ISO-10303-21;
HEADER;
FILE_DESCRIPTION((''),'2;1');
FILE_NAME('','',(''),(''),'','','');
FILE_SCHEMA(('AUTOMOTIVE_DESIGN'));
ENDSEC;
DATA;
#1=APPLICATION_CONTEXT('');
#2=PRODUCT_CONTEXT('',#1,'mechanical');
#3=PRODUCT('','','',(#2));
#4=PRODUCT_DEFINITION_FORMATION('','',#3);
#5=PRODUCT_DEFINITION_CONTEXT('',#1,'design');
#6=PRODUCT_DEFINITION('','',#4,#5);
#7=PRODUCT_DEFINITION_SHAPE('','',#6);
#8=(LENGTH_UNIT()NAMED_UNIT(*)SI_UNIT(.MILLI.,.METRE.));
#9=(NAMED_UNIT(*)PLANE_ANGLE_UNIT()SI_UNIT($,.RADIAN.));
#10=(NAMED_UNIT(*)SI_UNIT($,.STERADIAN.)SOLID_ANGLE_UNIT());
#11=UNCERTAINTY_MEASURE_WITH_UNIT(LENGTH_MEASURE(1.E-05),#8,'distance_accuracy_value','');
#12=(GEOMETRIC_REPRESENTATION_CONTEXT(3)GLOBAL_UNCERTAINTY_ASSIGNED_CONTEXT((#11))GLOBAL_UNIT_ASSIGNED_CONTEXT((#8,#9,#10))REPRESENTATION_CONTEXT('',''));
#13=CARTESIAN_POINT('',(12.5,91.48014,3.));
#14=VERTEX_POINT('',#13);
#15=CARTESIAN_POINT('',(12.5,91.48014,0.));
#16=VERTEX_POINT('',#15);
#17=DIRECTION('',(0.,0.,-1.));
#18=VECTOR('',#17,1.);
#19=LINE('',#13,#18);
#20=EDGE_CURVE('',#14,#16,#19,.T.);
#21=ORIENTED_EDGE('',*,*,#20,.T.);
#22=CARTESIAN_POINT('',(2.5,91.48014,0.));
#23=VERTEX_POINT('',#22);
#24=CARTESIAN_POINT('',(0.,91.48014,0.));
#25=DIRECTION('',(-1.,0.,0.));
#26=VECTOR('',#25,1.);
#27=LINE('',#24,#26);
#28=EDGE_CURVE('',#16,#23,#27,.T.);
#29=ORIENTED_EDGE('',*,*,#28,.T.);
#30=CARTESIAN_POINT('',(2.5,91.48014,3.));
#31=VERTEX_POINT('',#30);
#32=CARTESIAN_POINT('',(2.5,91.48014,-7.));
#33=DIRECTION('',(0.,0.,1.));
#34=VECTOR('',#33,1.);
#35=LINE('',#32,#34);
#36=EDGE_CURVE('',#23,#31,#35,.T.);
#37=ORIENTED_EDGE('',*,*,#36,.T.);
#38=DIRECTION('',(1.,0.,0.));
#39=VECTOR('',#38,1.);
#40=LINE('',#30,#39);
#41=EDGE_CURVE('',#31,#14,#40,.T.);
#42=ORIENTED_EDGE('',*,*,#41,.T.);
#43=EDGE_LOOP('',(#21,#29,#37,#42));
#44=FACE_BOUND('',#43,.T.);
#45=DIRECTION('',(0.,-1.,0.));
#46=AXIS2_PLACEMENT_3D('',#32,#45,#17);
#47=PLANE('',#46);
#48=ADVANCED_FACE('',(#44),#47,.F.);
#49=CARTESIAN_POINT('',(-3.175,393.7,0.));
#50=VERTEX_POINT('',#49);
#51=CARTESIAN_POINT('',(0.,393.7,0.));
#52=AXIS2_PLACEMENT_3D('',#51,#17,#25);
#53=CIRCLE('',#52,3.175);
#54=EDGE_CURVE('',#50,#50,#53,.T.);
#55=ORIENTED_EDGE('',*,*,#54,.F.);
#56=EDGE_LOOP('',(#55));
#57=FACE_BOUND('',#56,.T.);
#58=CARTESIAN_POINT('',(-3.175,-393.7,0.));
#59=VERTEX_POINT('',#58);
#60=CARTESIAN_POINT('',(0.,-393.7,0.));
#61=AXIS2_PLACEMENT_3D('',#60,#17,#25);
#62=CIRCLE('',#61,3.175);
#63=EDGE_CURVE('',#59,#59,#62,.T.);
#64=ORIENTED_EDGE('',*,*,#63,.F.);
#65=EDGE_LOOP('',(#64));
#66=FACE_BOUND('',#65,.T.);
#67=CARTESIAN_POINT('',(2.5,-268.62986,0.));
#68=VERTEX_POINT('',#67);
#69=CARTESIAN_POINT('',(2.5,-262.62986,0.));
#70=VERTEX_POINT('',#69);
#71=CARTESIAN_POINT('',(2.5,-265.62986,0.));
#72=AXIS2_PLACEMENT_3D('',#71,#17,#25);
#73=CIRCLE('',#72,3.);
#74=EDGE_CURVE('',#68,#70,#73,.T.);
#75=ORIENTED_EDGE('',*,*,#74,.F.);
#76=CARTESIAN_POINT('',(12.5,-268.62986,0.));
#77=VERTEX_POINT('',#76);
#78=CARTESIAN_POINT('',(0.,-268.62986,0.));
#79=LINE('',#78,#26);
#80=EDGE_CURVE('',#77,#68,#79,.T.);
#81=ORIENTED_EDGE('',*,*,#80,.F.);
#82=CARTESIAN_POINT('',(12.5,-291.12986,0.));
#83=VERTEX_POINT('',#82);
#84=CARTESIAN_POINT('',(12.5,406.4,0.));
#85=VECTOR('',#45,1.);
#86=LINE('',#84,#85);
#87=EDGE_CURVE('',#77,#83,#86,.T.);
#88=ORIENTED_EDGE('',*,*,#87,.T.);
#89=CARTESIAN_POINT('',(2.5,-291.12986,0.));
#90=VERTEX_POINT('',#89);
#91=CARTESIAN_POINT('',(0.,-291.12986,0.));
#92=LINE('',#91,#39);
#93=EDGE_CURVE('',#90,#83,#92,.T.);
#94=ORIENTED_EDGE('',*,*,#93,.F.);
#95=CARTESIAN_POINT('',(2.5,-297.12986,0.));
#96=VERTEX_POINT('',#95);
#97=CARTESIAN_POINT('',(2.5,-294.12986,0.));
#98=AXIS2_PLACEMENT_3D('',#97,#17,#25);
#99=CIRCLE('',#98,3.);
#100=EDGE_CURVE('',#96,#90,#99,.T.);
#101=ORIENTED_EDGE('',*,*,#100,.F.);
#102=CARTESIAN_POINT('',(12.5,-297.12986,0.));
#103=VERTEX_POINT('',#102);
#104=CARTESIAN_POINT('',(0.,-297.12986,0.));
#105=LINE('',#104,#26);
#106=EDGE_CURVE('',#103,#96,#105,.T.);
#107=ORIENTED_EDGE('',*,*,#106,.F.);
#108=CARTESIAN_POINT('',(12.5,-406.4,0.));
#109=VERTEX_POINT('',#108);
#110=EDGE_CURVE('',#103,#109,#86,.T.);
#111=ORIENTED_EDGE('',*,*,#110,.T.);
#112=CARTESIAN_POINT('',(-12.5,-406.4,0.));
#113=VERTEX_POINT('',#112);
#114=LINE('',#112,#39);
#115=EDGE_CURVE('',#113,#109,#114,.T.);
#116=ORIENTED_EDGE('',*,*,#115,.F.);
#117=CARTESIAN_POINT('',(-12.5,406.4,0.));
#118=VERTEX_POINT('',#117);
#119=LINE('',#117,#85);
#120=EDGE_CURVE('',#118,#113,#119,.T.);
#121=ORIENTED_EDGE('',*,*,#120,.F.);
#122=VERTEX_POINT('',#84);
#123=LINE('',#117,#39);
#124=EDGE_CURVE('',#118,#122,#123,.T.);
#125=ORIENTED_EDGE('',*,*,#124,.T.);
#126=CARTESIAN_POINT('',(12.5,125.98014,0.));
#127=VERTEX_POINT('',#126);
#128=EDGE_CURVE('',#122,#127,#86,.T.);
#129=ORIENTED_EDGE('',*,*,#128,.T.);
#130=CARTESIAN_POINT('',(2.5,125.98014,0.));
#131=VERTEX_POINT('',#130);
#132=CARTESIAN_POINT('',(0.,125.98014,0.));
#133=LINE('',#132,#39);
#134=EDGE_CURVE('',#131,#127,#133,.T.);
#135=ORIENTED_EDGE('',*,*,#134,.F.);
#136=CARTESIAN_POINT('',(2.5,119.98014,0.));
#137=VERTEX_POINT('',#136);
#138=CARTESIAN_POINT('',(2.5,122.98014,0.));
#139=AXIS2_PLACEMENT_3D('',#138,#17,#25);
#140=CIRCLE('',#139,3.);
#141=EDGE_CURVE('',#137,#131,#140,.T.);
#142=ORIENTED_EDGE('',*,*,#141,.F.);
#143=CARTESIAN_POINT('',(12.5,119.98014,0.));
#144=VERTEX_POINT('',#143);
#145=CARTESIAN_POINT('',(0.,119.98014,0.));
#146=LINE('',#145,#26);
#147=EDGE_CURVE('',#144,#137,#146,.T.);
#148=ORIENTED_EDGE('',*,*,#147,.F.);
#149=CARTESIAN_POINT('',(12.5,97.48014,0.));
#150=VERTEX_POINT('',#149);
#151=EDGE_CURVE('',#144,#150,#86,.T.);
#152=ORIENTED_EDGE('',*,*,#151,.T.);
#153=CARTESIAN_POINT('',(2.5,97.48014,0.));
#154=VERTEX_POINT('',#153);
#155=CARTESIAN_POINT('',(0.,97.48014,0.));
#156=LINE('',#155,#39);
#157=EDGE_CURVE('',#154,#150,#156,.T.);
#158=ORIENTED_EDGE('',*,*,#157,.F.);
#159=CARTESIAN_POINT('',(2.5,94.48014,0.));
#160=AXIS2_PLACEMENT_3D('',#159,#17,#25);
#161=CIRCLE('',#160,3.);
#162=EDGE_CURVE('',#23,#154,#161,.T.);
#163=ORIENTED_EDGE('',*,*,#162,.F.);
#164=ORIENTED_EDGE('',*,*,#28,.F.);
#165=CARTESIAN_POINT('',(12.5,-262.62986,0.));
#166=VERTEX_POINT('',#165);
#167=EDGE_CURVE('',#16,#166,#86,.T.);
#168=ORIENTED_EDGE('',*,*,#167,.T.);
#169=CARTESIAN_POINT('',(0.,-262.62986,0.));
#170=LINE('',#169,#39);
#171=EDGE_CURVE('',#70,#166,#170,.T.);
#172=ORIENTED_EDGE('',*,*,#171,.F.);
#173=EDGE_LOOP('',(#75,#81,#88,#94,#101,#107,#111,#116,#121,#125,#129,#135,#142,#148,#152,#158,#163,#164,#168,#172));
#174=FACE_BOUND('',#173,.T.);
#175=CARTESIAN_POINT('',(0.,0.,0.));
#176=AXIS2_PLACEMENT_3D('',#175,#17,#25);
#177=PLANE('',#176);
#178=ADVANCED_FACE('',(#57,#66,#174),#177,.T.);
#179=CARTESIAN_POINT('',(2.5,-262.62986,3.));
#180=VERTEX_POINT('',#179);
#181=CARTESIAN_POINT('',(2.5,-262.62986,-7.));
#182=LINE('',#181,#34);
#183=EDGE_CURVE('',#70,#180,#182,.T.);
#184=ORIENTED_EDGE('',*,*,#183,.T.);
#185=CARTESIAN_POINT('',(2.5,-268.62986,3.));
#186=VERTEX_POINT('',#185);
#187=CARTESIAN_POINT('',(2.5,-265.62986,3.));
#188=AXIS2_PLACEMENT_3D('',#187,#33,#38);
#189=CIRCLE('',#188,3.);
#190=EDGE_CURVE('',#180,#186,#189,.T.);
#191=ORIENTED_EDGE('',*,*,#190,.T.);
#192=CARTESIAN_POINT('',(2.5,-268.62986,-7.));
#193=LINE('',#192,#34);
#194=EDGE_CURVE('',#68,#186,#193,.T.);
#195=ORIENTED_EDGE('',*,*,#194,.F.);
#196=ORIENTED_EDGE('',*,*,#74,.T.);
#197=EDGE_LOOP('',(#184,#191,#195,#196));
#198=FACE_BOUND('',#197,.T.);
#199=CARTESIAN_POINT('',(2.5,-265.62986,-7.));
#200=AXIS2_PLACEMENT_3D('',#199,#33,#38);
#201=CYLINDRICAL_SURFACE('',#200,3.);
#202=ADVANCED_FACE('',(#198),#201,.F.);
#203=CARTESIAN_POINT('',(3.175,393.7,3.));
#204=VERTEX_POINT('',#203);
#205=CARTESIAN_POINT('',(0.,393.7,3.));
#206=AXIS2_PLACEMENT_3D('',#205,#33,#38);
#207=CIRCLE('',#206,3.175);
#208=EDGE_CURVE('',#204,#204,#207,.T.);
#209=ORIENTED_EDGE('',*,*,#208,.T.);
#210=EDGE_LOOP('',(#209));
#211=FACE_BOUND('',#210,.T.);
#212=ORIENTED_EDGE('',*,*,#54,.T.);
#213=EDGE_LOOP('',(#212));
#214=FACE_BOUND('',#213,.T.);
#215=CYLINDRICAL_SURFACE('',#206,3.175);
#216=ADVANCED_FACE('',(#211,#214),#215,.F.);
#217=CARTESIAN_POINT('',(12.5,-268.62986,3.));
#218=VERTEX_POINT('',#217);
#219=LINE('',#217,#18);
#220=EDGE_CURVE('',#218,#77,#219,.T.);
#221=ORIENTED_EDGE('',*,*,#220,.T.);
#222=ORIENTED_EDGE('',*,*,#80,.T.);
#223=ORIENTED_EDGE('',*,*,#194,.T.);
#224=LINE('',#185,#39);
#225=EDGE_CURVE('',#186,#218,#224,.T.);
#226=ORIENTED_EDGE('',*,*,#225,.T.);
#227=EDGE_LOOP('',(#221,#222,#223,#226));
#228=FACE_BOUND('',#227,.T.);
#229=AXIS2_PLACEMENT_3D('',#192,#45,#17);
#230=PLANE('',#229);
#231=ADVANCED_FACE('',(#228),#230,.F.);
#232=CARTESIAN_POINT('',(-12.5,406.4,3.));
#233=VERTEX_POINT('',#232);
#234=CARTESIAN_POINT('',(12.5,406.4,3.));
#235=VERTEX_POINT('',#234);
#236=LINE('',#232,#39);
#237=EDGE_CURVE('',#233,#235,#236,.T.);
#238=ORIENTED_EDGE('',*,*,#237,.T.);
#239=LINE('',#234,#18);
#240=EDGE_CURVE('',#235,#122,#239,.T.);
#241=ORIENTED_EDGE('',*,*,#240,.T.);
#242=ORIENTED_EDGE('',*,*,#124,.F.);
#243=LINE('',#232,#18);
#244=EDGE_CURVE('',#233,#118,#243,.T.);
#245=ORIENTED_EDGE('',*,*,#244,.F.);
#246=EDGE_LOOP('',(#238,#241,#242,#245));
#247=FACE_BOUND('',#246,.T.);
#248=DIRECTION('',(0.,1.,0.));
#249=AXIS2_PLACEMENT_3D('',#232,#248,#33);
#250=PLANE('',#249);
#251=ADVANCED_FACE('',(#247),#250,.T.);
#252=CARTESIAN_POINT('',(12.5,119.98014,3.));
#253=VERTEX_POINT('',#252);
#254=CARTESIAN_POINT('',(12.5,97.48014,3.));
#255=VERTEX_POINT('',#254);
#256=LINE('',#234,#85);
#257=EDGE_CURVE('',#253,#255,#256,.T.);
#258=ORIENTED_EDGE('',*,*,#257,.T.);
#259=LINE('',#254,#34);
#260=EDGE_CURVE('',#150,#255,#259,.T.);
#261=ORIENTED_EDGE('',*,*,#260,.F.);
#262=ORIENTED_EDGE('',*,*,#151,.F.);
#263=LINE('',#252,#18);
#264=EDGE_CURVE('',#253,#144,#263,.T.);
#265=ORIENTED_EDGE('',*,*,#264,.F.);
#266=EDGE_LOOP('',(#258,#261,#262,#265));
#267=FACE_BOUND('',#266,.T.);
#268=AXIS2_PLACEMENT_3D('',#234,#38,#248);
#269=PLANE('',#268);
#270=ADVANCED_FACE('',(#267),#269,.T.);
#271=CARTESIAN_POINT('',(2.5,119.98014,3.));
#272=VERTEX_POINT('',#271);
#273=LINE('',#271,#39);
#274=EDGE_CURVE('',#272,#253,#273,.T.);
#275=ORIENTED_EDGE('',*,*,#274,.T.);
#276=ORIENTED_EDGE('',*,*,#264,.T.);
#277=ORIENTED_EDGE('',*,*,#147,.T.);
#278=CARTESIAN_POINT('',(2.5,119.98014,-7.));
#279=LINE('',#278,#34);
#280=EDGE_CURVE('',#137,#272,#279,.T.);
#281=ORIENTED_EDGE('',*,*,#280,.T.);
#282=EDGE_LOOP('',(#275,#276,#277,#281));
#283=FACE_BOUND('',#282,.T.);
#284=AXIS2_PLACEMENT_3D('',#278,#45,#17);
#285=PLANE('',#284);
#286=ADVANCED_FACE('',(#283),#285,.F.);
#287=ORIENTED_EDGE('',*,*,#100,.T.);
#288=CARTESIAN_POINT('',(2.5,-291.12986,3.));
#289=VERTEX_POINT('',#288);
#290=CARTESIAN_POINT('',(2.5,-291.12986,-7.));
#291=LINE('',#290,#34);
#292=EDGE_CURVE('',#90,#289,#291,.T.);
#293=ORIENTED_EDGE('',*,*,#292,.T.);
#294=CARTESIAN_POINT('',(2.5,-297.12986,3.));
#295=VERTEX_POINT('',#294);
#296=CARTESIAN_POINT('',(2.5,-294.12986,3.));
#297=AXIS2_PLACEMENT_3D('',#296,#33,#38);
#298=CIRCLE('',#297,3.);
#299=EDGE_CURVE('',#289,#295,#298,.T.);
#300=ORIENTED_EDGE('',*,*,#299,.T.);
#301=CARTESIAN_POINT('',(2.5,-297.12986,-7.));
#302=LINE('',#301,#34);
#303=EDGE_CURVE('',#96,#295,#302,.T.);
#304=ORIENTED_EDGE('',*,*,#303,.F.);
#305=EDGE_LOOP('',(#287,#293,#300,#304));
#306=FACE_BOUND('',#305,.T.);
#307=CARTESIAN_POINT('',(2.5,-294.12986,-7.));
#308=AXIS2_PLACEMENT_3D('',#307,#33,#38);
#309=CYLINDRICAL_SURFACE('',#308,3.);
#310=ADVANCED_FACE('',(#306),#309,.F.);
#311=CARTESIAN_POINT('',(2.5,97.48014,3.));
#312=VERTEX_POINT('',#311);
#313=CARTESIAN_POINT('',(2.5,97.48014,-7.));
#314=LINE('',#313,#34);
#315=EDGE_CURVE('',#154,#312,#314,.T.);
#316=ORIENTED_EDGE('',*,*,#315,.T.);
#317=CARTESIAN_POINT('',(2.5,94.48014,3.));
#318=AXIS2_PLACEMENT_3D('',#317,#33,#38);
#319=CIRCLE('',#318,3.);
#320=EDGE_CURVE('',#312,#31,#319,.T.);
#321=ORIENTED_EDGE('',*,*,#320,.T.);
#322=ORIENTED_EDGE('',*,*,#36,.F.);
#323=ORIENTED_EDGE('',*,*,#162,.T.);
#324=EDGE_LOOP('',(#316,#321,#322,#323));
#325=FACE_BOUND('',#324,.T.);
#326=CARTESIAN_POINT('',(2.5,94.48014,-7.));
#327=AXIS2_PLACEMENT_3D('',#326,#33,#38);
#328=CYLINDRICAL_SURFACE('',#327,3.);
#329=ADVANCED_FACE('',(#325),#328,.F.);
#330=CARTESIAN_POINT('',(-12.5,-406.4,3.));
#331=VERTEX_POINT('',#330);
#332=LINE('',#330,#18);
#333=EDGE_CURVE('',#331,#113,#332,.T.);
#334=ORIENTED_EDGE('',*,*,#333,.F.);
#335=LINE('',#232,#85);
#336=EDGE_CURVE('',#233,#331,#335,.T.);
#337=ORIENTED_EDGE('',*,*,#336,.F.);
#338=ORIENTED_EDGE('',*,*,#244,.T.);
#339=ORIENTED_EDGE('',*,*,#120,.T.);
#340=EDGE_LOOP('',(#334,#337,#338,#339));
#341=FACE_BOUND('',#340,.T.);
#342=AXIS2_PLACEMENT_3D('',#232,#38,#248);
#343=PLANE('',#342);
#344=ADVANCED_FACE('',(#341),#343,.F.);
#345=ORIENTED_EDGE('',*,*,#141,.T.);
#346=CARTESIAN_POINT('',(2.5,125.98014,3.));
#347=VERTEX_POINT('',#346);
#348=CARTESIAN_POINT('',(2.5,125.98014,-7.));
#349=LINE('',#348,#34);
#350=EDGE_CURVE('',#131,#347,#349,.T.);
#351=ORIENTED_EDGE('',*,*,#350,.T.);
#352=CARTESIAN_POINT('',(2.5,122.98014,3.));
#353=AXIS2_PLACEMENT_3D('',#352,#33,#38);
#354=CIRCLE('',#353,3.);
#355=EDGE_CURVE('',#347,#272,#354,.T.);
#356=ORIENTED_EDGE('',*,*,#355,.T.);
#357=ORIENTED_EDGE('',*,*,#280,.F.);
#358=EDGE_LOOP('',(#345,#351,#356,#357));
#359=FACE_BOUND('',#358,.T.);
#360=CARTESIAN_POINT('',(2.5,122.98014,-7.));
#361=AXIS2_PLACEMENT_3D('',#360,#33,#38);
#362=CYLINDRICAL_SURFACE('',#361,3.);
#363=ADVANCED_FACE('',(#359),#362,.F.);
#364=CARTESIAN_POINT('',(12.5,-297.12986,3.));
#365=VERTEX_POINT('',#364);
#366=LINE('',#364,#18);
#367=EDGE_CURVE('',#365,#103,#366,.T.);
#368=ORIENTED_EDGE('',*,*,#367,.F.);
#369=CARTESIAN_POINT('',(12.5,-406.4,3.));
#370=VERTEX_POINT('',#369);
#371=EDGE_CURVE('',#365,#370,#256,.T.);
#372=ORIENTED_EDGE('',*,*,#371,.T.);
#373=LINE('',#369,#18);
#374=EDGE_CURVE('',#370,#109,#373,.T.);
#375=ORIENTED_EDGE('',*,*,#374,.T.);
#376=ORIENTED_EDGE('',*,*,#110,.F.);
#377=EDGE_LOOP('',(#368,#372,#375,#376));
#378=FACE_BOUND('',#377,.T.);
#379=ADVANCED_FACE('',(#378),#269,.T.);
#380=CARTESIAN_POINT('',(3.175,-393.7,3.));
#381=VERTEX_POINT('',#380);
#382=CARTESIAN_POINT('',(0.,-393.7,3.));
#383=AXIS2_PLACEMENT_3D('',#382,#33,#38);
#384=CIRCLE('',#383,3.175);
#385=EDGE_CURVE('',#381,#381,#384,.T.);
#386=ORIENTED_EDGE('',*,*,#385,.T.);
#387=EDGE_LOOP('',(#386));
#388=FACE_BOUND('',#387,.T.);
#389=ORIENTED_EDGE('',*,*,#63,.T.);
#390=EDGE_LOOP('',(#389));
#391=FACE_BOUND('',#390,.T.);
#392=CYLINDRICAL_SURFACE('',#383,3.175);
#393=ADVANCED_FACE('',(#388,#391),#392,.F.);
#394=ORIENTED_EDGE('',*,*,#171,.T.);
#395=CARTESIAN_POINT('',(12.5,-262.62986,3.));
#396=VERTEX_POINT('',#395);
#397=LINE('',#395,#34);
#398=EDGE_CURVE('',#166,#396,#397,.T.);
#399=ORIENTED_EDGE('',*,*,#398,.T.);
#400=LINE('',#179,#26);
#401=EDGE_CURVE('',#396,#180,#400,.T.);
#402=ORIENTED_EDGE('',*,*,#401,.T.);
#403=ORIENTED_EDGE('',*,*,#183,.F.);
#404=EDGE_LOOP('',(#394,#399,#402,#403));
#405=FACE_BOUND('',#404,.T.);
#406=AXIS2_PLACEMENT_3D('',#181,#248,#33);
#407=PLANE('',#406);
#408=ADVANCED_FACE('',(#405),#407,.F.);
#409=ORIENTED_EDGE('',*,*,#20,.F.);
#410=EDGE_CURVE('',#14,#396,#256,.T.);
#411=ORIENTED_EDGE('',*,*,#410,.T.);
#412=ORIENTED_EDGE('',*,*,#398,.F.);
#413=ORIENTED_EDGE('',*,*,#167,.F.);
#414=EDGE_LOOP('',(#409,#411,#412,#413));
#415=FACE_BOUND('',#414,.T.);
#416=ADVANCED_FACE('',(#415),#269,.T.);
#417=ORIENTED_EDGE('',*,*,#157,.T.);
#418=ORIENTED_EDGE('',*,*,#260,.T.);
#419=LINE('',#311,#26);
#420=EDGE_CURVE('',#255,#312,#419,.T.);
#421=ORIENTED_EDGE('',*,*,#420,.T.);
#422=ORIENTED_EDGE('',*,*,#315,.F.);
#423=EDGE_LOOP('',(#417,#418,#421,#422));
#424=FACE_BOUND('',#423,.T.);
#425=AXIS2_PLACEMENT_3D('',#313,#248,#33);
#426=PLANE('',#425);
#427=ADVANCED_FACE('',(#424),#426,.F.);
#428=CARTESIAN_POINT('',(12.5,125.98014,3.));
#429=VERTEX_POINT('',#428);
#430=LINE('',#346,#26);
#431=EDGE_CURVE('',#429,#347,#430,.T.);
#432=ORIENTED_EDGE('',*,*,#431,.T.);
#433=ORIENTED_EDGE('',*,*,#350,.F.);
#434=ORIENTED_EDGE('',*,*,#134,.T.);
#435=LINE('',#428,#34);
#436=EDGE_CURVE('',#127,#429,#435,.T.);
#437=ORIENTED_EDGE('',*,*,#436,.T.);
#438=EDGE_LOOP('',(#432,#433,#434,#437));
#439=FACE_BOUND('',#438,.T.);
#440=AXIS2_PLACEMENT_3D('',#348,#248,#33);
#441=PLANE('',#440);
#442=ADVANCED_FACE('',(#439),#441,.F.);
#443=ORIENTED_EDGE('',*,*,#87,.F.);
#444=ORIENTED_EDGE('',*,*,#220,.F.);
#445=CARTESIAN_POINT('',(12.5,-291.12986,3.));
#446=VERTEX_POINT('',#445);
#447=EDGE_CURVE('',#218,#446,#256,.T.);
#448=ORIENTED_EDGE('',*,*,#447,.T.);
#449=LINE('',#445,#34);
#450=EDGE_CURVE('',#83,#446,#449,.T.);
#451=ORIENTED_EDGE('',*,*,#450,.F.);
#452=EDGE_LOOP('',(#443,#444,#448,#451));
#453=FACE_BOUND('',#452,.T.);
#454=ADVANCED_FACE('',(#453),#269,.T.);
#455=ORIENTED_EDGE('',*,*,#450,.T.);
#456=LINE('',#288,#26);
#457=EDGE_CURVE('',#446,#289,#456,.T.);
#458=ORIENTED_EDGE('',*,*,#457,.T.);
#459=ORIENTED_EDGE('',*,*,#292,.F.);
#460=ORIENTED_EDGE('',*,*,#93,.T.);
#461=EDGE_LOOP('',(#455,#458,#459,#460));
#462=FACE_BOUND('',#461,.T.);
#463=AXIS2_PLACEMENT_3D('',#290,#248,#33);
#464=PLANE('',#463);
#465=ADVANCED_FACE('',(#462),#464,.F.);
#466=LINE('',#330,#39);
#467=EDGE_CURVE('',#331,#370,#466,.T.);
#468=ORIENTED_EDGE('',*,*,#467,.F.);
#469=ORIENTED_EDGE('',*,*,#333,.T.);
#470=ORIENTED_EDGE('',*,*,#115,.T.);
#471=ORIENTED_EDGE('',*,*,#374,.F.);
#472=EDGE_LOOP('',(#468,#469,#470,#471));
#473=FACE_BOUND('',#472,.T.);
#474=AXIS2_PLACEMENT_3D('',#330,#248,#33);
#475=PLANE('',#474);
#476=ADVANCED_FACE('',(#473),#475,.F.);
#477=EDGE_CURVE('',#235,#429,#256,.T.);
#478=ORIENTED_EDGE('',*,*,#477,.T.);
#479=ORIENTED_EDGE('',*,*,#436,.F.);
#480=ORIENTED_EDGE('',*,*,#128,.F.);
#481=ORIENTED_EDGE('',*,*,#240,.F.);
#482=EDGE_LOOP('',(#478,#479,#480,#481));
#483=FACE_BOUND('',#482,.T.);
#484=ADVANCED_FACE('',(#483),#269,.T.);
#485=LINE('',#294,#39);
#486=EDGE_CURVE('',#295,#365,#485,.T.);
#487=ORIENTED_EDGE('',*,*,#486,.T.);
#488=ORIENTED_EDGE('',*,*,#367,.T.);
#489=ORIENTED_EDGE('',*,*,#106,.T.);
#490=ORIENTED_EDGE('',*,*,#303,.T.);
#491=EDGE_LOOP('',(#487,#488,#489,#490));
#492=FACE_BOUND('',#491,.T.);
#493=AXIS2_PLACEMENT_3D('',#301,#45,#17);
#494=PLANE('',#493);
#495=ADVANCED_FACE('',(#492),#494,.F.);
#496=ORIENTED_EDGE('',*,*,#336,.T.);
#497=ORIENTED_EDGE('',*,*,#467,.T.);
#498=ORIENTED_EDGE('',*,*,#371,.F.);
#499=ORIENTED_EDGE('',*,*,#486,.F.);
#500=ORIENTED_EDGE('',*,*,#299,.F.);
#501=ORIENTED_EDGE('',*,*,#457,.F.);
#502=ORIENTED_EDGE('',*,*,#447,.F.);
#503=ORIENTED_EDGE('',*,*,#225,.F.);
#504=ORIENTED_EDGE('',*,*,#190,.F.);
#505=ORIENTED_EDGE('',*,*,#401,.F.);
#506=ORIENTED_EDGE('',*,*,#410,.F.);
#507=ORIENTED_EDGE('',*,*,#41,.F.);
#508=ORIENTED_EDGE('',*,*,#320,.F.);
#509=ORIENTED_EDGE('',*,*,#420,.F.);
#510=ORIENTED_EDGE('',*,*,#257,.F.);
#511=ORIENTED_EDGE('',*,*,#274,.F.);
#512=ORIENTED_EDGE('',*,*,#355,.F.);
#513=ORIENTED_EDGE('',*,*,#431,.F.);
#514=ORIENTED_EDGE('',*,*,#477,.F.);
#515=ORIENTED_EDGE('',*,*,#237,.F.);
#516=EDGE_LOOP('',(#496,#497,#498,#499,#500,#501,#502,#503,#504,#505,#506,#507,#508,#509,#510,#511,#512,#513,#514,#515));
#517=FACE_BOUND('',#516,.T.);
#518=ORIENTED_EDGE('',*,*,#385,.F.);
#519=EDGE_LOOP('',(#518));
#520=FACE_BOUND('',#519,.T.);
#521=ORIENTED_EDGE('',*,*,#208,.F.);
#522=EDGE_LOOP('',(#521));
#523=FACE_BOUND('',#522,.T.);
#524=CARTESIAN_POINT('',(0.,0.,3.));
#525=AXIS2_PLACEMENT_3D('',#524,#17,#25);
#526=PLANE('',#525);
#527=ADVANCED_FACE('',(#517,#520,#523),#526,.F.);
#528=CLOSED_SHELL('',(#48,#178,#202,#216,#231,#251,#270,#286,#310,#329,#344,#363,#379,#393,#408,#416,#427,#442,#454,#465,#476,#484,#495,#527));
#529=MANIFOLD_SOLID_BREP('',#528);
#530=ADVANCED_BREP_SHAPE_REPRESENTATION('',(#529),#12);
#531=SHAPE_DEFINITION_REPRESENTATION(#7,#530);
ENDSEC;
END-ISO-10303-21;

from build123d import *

# Parameters (mm, degrees)
SKETCH1_W                       = 25
SKETCH1_H                       = 812.8
BOSS_EXTRUDE1_DEPTH             = 3
CUT_EXTRUDE4_DEPTH              = 10
F_1_4_0_25_DIAMETER_HOLE1_D     = 6.35
F_1_4_0_25_DIAMETER_HOLE1_DEPTH = 5.84
F_1_4_0_25_DIAMETER_HOLE1_TIP   = 1.907732465


with BuildPart() as part:
    # Sketch1 → Boss-Extrude1 (new body)
    with BuildSketch(Plane.XY):
        Rectangle(SKETCH1_W, SKETCH1_H)
    extrude(amount=BOSS_EXTRUDE1_DEPTH)

    # Sketch5 → Cut-Extrude4 (cut)
    with BuildSketch(Plane.XY.offset(3)):
        with BuildLine():
            Line((2.5, 125.980140029), (22.5, 125.980140029))
            ThreePointArc((22.5, 125.980140029), (25.5, 122.980140029), (22.5, 119.980140029))
            Line((22.5, 119.980140029), (2.5, 119.980140029))
            ThreePointArc((2.5, 119.980140029), (-0.5, 122.980140029), (2.5, 125.980140029))
        make_face()
        with BuildLine():
            Line((2.5, 97.480140029), (22.5, 97.480140029))
            ThreePointArc((22.5, 97.480140029), (25.5, 94.480140029), (22.5, 91.480140029))
            Line((22.5, 91.480140029), (2.5, 91.480140029))
            ThreePointArc((2.5, 91.480140029), (-0.5, 94.480140029), (2.5, 97.480140029))
        make_face()
        with BuildLine():
            Line((2.5, -262.629859971), (22.5, -262.629859971))
            ThreePointArc((22.5, -262.629859971), (25.5, -265.629859971), (22.5, -268.629859971))
            Line((22.5, -268.629859971), (2.5, -268.629859971))
            ThreePointArc((2.5, -268.629859971), (-0.5, -265.629859971), (2.5, -262.629859971))
        make_face()
        with BuildLine():
            Line((2.5, -291.129859971), (22.5, -291.129859971))
            ThreePointArc((22.5, -291.129859971), (25.5, -294.129859971), (22.5, -297.129859971))
            Line((22.5, -297.129859971), (2.5, -297.129859971))
            ThreePointArc((2.5, -297.129859971), (-0.5, -294.129859971), (2.5, -291.129859971))
        make_face()
    extrude(amount=-CUT_EXTRUDE4_DEPTH, mode=Mode.SUBTRACT)

    # 1/4 (0.25) Diameter Hole1
    with Locations(Plane.XY.offset(3)):
        with Locations((0, 393.7), (0, -393.7)):
            Hole(F_1_4_0_25_DIAMETER_HOLE1_D / 2, depth=F_1_4_0_25_DIAMETER_HOLE1_DEPTH)
            with Locations((0, 0, -(F_1_4_0_25_DIAMETER_HOLE1_DEPTH + F_1_4_0_25_DIAMETER_HOLE1_TIP / 2))):  # 118° drill point
                Cone(0, F_1_4_0_25_DIAMETER_HOLE1_D / 2, F_1_4_0_25_DIAMETER_HOLE1_TIP, mode=Mode.SUBTRACT)


solid = part.part
